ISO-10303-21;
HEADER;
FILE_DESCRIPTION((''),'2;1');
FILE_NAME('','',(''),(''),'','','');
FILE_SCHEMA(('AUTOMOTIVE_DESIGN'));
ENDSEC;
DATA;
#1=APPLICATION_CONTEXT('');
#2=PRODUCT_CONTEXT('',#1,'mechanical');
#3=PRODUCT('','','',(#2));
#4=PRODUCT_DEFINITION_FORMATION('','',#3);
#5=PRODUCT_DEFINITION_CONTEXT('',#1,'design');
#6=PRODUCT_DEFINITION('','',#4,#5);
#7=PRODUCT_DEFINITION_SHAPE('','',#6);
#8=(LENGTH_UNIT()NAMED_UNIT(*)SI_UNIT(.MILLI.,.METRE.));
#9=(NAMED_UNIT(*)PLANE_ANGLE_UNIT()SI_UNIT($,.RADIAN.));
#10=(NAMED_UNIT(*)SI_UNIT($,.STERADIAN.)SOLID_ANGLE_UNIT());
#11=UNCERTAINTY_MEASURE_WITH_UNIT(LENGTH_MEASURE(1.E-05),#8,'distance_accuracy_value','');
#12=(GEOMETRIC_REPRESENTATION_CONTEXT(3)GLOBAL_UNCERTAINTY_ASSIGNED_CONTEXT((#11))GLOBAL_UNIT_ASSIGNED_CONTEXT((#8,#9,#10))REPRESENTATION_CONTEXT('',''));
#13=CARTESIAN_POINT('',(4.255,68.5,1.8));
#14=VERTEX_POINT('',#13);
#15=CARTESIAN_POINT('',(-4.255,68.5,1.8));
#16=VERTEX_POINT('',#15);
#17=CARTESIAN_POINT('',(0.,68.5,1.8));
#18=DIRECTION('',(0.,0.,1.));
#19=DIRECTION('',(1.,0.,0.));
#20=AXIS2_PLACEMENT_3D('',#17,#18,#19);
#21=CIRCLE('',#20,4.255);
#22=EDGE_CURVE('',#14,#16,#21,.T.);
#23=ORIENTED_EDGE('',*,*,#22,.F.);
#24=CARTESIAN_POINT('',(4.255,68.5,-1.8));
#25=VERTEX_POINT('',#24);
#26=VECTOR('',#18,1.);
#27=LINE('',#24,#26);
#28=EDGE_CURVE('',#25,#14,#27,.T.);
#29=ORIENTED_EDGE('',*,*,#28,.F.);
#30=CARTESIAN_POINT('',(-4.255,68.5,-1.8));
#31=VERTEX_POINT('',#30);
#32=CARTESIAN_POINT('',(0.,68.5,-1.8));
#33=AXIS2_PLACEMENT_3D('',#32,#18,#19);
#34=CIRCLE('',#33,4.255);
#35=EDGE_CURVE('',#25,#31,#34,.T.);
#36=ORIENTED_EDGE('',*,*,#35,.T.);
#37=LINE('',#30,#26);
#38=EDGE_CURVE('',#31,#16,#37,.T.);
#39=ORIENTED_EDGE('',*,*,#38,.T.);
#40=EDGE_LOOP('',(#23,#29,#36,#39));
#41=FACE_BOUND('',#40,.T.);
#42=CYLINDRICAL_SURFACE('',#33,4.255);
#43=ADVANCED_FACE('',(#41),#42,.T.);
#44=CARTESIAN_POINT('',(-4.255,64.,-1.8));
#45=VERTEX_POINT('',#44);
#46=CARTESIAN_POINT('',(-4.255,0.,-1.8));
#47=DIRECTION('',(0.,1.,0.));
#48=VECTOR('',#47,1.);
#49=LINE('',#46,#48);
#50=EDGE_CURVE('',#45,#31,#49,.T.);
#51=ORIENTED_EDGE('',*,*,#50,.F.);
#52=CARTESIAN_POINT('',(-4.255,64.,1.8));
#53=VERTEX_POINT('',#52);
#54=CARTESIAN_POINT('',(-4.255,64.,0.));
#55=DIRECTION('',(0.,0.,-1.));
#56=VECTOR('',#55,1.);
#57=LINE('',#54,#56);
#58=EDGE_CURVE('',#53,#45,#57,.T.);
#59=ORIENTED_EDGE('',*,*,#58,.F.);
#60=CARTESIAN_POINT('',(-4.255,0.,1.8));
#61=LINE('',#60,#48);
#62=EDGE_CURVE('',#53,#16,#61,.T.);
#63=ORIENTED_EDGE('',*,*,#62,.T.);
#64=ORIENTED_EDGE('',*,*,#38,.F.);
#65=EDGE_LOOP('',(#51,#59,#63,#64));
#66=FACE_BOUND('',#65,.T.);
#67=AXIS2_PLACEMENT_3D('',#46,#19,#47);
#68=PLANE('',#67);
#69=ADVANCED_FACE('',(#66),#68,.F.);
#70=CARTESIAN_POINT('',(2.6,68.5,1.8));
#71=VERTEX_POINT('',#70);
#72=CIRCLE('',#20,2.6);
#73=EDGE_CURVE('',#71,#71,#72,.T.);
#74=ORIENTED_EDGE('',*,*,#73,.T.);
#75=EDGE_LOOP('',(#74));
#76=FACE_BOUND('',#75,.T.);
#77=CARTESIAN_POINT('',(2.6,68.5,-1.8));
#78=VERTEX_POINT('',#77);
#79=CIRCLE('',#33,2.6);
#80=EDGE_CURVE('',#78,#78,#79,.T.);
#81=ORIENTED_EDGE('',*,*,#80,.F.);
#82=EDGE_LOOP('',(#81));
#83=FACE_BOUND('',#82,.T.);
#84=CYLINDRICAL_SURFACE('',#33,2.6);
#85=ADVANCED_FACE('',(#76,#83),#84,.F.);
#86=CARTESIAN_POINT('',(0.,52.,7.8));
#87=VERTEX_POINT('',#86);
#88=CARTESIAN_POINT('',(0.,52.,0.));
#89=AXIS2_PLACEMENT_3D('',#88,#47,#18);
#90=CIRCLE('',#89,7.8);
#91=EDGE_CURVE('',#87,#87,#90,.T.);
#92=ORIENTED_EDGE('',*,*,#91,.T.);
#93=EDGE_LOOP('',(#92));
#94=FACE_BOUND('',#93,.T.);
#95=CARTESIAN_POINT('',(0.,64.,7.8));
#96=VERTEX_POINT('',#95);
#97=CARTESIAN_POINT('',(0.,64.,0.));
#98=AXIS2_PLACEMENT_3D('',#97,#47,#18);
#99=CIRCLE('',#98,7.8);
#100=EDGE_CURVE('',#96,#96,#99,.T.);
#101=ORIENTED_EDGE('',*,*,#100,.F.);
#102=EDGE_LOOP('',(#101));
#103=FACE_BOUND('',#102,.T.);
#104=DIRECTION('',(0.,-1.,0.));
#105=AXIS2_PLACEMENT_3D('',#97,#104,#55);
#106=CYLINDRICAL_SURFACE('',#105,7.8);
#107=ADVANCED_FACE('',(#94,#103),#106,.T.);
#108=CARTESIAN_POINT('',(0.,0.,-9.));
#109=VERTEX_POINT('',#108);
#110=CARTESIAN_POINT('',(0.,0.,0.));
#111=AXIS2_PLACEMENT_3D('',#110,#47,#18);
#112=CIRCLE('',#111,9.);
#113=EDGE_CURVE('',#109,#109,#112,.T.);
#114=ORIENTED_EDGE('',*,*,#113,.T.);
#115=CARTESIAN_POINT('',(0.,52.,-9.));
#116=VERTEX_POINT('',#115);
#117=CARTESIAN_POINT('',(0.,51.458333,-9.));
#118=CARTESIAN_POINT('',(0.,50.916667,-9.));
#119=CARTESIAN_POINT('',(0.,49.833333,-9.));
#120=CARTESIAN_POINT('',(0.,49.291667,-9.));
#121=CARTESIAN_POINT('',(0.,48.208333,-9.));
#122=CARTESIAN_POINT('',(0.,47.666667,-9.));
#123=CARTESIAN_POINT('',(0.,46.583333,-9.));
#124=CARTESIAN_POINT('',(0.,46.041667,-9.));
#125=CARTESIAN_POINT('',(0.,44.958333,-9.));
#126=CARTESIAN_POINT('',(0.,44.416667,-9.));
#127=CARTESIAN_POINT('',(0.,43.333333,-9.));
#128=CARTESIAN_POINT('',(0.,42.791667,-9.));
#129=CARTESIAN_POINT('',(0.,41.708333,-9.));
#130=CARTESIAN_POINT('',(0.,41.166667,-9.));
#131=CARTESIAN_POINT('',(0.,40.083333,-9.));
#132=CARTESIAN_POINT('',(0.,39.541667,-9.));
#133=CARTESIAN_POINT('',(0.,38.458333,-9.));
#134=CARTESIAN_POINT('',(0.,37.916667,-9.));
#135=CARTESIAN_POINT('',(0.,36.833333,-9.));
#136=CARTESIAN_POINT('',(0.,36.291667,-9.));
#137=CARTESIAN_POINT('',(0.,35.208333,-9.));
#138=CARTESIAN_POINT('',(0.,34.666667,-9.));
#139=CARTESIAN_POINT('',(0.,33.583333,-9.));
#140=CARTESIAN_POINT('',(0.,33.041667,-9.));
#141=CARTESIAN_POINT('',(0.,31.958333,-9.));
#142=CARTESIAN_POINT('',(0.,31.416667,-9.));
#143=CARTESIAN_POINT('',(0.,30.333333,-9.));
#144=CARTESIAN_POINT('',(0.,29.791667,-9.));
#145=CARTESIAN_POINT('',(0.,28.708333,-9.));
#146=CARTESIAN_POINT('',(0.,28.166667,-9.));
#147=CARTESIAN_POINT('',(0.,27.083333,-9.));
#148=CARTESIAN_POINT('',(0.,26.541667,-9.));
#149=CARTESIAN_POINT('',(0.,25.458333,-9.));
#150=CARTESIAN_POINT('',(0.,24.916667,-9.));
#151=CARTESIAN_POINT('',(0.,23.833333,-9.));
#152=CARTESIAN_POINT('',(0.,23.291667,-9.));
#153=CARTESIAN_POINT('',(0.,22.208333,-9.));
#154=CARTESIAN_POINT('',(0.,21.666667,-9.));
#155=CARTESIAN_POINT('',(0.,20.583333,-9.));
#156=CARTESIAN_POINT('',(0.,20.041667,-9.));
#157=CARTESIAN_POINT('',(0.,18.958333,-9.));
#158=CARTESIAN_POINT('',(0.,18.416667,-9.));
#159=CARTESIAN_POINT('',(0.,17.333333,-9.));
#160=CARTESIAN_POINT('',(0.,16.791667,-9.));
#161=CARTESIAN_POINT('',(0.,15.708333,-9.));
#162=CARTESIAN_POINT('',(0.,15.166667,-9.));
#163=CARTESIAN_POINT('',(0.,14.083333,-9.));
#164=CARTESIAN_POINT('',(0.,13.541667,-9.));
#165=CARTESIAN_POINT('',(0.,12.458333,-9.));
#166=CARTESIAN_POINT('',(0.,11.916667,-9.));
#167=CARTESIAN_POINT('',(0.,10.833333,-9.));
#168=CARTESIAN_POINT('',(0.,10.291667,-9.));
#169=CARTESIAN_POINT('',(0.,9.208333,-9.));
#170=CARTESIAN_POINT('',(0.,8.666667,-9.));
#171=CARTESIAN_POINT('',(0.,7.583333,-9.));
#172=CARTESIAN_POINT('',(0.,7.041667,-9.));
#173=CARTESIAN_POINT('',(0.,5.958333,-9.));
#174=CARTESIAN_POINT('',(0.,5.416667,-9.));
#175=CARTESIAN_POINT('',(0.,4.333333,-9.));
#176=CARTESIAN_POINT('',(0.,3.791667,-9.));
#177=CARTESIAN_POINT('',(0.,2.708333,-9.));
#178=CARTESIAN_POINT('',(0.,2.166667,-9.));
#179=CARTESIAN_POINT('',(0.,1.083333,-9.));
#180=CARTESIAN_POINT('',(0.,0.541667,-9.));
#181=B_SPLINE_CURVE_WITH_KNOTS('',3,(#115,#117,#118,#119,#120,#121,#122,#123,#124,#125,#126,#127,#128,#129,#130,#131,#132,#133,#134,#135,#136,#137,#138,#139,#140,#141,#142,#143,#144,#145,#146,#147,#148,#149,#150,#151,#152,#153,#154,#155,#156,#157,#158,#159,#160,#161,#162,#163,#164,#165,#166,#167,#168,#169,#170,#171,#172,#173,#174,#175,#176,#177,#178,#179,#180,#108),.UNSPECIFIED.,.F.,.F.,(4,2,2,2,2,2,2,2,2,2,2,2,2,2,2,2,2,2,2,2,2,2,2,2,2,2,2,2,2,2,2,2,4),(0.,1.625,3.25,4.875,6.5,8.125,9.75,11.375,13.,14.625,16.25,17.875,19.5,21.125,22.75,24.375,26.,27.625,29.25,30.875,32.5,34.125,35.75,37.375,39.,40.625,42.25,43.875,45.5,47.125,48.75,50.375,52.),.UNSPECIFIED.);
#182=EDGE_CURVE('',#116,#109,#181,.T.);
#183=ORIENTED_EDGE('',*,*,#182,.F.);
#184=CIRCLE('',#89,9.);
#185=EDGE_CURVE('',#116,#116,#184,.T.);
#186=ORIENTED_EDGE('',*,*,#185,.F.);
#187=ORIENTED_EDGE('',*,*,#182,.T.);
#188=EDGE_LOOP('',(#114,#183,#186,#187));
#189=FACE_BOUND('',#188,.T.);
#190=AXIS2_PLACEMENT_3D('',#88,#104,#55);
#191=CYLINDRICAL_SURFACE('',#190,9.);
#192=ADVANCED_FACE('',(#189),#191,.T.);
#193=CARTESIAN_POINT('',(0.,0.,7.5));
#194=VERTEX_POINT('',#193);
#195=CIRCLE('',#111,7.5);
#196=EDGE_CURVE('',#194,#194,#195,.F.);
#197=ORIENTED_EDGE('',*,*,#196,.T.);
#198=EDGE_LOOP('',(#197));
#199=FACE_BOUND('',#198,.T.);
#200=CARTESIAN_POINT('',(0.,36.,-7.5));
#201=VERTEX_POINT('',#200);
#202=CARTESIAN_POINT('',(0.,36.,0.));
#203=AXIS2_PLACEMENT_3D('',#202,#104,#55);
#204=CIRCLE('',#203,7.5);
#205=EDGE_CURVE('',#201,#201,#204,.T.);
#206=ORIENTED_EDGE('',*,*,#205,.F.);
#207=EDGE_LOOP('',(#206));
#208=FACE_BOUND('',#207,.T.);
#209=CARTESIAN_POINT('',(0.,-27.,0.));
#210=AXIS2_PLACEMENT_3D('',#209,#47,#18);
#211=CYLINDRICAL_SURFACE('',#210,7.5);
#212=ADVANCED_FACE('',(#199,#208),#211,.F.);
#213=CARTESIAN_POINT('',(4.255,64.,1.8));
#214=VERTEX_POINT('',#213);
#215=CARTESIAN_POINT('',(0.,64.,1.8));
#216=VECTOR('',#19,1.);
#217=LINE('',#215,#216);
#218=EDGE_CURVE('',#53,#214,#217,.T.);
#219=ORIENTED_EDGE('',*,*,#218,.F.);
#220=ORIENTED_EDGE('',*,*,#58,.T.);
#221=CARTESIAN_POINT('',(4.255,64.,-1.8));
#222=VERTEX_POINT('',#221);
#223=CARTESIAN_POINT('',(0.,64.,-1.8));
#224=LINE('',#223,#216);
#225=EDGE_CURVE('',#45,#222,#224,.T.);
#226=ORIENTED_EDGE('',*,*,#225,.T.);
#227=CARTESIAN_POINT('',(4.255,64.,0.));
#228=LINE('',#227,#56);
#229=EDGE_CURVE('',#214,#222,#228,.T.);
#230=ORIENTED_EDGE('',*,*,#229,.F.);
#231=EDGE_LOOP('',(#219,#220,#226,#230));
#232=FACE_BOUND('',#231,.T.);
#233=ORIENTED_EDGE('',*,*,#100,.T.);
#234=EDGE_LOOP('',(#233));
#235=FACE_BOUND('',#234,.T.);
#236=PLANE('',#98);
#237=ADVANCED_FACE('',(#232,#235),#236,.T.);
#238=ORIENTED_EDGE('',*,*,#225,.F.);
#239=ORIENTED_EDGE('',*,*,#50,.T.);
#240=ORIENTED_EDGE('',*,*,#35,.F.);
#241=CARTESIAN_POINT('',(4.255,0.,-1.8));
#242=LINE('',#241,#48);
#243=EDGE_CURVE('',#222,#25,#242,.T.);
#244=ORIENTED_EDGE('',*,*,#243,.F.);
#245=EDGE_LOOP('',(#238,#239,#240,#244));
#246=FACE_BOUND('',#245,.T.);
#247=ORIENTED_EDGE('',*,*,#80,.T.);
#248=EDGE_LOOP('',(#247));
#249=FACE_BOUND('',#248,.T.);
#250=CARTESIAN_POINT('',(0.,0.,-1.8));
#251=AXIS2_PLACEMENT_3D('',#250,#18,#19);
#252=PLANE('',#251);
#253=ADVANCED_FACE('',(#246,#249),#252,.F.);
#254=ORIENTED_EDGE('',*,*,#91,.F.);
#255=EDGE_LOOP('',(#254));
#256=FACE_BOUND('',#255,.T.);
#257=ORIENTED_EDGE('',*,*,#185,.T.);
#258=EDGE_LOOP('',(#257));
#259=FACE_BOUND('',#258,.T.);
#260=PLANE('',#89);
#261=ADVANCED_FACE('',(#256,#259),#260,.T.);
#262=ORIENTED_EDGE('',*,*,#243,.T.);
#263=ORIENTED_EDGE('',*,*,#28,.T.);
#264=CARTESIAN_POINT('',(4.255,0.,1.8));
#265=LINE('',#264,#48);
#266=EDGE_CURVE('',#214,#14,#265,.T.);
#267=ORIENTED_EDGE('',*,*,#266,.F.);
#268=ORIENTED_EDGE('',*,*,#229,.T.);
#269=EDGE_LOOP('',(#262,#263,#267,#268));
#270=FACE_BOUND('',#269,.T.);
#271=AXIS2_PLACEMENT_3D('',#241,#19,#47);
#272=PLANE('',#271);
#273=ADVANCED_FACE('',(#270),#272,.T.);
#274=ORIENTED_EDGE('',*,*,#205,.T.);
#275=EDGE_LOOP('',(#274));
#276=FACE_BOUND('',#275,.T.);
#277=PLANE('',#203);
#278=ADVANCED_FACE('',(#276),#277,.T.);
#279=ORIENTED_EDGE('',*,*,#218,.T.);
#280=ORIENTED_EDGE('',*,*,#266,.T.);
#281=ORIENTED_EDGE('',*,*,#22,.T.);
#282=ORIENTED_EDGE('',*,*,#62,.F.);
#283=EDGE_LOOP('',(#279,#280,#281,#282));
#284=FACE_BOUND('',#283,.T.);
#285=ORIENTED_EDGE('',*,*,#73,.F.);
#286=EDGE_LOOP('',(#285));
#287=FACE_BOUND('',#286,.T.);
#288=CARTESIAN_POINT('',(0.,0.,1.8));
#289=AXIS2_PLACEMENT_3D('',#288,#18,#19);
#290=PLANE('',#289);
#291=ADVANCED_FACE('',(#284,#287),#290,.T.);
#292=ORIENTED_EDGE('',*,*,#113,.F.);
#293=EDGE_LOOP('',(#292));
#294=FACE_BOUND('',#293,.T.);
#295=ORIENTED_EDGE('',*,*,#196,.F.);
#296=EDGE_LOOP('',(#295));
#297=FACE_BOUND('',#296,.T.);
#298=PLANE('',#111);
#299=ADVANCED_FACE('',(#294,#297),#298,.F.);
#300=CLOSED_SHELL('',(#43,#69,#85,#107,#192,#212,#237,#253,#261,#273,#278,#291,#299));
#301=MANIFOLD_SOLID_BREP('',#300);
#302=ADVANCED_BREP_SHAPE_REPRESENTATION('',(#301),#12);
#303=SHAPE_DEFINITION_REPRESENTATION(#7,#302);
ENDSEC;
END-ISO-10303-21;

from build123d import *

# Parameters (mm, degrees)
SKETCH_1_R               = 9
EXTRUDE_1_DEPTH          = 52
SKETCH_2_R               = 7.8
EXTRUDE_2_DEPTH          = 12
EXTRUDE_3_DEPTH          = 1.8
EXTRUDE_3_DEPTH_BACK     = 1.8
SKETCH_3_R               = 2.6
EXTRUDE_4_DEPTH          = 1.8
EXTRUDE_4_DEPTH_BACK     = 1.8
SKETCH_4_R               = 1.6
CUT_EXTRUDE_1_DEPTH      = 27
CUT_EXTRUDE_1_DEPTH_BACK = 36
SKETCH_5_R               = 7.5


with BuildPart() as part:
    # 草图1 → 凸台-拉伸1 (new body)
    with BuildSketch(Plane(origin=(0, 0, 0), x_dir=(1, 0, 0), z_dir=(0, 1, 0))):
        Circle(SKETCH_1_R)
    extrude(amount=EXTRUDE_1_DEPTH)

    # 草图2 → 凸台-拉伸2 (add)
    with BuildSketch(Plane(origin=(0, 52, 0), x_dir=(1, 0, 0), z_dir=(0, 1, 0))):
        Circle(SKETCH_2_R)
    extrude(amount=EXTRUDE_2_DEPTH)

    # 草图3 → 凸台-拉伸3 (add, two sides: drawn at the far end of the back side and taken through both)
    with BuildSketch(Plane.XY.offset(-EXTRUDE_3_DEPTH_BACK)):
        with BuildLine():
            Line((-4.255, 68.5), (-4.255, 59.5))
            Line((-4.255, 59.5), (4.255, 59.5))
            Line((4.255, 59.5), (4.255, 68.5))
            ThreePointArc((4.255, 68.5), (0, 72.755), (-4.255, 68.5))
        make_face()
        with Locations((0, 68.5)):
            Circle(SKETCH_3_R, mode=Mode.SUBTRACT)
    extrude(amount=EXTRUDE_3_DEPTH + EXTRUDE_3_DEPTH_BACK)

    # 草图4 → 凸台-拉伸4 (add, two sides: drawn at the far end of the back side and taken through both)
    with BuildSketch(Plane.XY.offset(-EXTRUDE_4_DEPTH_BACK)):
        with BuildLine():
            Line((-4.65, -16.5), (-4.65, -8.5))
            Line((-4.65, -8.5), (-4.65, 0))
            Line((-4.65, 0), (4.65, 0))
            Line((4.65, 0), (4.65, -8.5))
            Line((4.65, -8.5), (4.65, -16.5))
            ThreePointArc((4.65, -16.5), (0, -21.15), (-4.65, -16.5))
        make_face()
        with Locations((0, -16.5)):
            Circle(SKETCH_4_R, mode=Mode.SUBTRACT)
    extrude(amount=EXTRUDE_4_DEPTH + EXTRUDE_4_DEPTH_BACK)

    # 草图5 → 切除-拉伸1 (cut, two sides: drawn at the far end of the back side and taken through both)
    with BuildSketch(Plane.XZ.offset(-CUT_EXTRUDE_1_DEPTH_BACK)):
        Circle(SKETCH_5_R)
    extrude(amount=CUT_EXTRUDE_1_DEPTH + CUT_EXTRUDE_1_DEPTH_BACK, mode=Mode.SUBTRACT)


solid = part.part
